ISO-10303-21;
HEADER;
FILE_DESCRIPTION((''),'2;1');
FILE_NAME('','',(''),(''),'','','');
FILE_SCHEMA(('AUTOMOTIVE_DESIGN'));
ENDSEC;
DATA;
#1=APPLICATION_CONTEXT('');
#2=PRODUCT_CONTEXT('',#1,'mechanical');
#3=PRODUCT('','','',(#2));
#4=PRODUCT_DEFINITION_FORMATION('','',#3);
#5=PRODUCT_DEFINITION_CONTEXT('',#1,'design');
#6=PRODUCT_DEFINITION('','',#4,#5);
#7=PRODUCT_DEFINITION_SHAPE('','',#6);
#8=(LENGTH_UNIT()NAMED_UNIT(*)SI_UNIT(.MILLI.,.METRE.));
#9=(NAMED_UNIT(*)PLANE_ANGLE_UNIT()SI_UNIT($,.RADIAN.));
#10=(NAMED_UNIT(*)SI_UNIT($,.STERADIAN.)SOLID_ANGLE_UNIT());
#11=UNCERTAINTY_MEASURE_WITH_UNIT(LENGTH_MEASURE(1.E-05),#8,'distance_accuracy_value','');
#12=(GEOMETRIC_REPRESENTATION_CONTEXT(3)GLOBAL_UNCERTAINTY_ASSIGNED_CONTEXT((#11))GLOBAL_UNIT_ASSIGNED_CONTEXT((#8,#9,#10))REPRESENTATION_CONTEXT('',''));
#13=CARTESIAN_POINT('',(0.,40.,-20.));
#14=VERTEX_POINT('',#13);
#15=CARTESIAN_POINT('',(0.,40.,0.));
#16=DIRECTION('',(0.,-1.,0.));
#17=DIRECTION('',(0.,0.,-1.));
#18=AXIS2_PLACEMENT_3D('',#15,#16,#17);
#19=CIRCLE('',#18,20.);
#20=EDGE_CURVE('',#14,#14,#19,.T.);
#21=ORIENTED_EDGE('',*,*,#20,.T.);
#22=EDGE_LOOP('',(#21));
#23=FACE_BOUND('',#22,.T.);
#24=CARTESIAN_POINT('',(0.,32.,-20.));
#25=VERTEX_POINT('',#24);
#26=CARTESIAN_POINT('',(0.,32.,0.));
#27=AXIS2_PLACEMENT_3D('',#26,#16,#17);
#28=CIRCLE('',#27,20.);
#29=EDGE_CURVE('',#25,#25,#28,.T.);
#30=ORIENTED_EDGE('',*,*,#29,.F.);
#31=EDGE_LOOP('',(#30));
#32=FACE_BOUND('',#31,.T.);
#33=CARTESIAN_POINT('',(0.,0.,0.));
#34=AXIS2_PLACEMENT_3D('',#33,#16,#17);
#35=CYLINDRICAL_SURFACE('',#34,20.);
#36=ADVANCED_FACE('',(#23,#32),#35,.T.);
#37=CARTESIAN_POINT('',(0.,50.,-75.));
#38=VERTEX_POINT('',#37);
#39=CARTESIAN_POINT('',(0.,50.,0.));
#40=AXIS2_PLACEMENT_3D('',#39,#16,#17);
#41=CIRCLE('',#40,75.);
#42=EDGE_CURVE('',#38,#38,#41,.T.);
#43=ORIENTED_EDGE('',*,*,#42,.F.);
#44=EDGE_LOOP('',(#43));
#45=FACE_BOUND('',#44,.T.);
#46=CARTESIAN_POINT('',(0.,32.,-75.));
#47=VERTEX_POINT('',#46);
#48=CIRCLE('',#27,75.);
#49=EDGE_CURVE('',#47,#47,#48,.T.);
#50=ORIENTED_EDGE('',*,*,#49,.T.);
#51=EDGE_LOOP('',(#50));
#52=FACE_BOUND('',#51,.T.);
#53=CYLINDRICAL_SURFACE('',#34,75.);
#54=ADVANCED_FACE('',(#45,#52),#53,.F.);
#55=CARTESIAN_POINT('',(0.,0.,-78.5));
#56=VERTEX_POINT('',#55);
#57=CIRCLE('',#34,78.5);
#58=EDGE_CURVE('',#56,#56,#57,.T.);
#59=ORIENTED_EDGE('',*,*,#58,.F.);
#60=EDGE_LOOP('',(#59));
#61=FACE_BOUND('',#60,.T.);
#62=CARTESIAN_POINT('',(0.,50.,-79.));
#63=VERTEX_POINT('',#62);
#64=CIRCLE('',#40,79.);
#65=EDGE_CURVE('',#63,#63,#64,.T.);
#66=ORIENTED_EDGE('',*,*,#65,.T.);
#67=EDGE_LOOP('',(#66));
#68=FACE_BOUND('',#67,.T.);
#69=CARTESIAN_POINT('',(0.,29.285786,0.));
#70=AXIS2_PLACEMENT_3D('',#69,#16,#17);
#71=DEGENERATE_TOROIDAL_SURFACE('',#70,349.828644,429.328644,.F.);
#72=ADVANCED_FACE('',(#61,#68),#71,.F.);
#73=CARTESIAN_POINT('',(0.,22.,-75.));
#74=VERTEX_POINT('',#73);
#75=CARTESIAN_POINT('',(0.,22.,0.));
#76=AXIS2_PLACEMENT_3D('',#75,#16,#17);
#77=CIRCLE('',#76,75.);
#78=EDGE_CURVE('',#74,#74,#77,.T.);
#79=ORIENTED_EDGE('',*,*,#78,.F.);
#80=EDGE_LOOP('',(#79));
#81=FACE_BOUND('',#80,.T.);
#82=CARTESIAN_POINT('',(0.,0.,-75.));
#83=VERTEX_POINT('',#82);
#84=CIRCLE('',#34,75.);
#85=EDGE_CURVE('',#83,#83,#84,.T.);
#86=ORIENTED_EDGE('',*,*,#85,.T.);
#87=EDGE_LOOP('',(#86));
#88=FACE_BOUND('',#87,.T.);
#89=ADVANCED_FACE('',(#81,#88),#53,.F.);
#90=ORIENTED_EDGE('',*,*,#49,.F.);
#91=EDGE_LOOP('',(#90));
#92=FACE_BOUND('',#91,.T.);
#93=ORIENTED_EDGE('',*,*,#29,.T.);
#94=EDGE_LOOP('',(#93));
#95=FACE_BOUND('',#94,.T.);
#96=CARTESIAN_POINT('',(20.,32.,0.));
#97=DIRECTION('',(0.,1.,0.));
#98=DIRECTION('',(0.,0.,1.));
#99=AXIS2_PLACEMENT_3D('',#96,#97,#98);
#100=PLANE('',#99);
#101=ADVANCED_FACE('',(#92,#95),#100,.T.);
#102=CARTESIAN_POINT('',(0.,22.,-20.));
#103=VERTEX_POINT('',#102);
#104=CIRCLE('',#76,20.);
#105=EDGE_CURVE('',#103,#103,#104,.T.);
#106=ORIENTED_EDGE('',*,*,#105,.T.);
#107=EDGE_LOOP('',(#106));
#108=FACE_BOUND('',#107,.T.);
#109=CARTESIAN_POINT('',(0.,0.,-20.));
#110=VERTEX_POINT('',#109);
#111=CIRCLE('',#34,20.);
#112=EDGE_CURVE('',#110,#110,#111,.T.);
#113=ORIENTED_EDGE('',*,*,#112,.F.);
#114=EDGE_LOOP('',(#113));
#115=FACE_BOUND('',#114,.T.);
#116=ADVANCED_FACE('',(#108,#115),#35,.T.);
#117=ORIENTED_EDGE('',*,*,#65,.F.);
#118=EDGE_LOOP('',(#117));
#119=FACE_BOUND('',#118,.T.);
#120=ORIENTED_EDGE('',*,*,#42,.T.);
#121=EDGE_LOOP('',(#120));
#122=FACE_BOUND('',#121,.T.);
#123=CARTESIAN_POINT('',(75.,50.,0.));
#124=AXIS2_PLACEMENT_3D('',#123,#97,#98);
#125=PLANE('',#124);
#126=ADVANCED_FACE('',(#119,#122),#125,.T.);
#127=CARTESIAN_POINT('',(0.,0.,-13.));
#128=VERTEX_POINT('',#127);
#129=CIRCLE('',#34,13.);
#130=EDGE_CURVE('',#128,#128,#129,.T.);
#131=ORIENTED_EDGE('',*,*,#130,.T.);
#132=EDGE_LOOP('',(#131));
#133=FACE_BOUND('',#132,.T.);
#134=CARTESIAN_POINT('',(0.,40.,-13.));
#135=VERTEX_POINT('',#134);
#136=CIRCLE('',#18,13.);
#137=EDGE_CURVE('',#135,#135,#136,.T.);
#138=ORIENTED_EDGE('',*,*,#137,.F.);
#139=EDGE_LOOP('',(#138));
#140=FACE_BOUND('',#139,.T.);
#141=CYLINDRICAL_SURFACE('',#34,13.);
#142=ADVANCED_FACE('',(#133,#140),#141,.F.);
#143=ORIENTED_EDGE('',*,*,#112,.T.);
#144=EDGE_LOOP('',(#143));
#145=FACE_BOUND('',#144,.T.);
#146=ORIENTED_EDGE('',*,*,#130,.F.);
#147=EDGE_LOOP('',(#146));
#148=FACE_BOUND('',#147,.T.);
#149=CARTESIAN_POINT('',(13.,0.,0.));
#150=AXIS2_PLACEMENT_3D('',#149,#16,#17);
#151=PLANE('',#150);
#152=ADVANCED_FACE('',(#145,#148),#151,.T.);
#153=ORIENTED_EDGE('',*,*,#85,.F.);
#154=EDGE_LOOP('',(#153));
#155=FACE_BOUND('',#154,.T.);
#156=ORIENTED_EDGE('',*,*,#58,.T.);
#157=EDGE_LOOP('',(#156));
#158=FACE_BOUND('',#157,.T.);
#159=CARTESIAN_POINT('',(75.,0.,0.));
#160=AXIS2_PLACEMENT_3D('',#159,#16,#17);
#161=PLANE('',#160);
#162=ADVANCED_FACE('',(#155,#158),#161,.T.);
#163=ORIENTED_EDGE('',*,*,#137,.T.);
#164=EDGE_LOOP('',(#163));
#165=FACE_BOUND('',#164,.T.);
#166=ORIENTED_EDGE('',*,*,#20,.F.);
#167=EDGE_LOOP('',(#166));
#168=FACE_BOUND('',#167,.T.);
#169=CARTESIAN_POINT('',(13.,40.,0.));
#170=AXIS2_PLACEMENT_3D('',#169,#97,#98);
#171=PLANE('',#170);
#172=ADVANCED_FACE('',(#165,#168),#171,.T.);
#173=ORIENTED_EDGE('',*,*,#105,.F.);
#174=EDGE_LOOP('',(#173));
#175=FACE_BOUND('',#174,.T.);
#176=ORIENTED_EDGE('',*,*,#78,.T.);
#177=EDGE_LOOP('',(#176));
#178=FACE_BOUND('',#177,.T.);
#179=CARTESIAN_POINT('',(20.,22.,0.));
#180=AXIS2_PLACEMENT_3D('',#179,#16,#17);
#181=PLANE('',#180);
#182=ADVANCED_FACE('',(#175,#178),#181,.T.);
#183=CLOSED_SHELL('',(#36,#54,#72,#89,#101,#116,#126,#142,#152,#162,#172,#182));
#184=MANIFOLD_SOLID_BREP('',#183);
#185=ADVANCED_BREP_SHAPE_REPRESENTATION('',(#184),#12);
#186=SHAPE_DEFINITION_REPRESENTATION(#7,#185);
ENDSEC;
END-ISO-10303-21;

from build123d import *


with BuildPart() as part:
    # Esquisse1 → Révolution1 (revolve)
    with BuildSketch(Plane.XY, mode=Mode.PRIVATE) as r_volution1_sk:
        with BuildLine():
            Line((13, 40), (13, 0))
            Line((13, 0), (20, 0))
            Line((20, 0), (20, 22))
            Line((20, 22), (75, 22))
            Line((75, 22), (75, 0))
            Line((75, 0), (78.5, 0))
            ThreePointArc((78.5, 0), (79.478535178, 24.992714648), (79, 50))
            Line((79, 50), (75, 50))
            Line((75, 50), (75, 32))
            Line((75, 32), (20, 32))
            Line((20, 32), (20, 40))
            Line((20, 40), (13, 40))
        make_face()
    revolve(r_volution1_sk.sketch.rotate(Axis((0, 0, 0), (0, 1, 0)), 90), axis=Axis((0, 0, 0), (0, 1, 0)))


solid = part.part
